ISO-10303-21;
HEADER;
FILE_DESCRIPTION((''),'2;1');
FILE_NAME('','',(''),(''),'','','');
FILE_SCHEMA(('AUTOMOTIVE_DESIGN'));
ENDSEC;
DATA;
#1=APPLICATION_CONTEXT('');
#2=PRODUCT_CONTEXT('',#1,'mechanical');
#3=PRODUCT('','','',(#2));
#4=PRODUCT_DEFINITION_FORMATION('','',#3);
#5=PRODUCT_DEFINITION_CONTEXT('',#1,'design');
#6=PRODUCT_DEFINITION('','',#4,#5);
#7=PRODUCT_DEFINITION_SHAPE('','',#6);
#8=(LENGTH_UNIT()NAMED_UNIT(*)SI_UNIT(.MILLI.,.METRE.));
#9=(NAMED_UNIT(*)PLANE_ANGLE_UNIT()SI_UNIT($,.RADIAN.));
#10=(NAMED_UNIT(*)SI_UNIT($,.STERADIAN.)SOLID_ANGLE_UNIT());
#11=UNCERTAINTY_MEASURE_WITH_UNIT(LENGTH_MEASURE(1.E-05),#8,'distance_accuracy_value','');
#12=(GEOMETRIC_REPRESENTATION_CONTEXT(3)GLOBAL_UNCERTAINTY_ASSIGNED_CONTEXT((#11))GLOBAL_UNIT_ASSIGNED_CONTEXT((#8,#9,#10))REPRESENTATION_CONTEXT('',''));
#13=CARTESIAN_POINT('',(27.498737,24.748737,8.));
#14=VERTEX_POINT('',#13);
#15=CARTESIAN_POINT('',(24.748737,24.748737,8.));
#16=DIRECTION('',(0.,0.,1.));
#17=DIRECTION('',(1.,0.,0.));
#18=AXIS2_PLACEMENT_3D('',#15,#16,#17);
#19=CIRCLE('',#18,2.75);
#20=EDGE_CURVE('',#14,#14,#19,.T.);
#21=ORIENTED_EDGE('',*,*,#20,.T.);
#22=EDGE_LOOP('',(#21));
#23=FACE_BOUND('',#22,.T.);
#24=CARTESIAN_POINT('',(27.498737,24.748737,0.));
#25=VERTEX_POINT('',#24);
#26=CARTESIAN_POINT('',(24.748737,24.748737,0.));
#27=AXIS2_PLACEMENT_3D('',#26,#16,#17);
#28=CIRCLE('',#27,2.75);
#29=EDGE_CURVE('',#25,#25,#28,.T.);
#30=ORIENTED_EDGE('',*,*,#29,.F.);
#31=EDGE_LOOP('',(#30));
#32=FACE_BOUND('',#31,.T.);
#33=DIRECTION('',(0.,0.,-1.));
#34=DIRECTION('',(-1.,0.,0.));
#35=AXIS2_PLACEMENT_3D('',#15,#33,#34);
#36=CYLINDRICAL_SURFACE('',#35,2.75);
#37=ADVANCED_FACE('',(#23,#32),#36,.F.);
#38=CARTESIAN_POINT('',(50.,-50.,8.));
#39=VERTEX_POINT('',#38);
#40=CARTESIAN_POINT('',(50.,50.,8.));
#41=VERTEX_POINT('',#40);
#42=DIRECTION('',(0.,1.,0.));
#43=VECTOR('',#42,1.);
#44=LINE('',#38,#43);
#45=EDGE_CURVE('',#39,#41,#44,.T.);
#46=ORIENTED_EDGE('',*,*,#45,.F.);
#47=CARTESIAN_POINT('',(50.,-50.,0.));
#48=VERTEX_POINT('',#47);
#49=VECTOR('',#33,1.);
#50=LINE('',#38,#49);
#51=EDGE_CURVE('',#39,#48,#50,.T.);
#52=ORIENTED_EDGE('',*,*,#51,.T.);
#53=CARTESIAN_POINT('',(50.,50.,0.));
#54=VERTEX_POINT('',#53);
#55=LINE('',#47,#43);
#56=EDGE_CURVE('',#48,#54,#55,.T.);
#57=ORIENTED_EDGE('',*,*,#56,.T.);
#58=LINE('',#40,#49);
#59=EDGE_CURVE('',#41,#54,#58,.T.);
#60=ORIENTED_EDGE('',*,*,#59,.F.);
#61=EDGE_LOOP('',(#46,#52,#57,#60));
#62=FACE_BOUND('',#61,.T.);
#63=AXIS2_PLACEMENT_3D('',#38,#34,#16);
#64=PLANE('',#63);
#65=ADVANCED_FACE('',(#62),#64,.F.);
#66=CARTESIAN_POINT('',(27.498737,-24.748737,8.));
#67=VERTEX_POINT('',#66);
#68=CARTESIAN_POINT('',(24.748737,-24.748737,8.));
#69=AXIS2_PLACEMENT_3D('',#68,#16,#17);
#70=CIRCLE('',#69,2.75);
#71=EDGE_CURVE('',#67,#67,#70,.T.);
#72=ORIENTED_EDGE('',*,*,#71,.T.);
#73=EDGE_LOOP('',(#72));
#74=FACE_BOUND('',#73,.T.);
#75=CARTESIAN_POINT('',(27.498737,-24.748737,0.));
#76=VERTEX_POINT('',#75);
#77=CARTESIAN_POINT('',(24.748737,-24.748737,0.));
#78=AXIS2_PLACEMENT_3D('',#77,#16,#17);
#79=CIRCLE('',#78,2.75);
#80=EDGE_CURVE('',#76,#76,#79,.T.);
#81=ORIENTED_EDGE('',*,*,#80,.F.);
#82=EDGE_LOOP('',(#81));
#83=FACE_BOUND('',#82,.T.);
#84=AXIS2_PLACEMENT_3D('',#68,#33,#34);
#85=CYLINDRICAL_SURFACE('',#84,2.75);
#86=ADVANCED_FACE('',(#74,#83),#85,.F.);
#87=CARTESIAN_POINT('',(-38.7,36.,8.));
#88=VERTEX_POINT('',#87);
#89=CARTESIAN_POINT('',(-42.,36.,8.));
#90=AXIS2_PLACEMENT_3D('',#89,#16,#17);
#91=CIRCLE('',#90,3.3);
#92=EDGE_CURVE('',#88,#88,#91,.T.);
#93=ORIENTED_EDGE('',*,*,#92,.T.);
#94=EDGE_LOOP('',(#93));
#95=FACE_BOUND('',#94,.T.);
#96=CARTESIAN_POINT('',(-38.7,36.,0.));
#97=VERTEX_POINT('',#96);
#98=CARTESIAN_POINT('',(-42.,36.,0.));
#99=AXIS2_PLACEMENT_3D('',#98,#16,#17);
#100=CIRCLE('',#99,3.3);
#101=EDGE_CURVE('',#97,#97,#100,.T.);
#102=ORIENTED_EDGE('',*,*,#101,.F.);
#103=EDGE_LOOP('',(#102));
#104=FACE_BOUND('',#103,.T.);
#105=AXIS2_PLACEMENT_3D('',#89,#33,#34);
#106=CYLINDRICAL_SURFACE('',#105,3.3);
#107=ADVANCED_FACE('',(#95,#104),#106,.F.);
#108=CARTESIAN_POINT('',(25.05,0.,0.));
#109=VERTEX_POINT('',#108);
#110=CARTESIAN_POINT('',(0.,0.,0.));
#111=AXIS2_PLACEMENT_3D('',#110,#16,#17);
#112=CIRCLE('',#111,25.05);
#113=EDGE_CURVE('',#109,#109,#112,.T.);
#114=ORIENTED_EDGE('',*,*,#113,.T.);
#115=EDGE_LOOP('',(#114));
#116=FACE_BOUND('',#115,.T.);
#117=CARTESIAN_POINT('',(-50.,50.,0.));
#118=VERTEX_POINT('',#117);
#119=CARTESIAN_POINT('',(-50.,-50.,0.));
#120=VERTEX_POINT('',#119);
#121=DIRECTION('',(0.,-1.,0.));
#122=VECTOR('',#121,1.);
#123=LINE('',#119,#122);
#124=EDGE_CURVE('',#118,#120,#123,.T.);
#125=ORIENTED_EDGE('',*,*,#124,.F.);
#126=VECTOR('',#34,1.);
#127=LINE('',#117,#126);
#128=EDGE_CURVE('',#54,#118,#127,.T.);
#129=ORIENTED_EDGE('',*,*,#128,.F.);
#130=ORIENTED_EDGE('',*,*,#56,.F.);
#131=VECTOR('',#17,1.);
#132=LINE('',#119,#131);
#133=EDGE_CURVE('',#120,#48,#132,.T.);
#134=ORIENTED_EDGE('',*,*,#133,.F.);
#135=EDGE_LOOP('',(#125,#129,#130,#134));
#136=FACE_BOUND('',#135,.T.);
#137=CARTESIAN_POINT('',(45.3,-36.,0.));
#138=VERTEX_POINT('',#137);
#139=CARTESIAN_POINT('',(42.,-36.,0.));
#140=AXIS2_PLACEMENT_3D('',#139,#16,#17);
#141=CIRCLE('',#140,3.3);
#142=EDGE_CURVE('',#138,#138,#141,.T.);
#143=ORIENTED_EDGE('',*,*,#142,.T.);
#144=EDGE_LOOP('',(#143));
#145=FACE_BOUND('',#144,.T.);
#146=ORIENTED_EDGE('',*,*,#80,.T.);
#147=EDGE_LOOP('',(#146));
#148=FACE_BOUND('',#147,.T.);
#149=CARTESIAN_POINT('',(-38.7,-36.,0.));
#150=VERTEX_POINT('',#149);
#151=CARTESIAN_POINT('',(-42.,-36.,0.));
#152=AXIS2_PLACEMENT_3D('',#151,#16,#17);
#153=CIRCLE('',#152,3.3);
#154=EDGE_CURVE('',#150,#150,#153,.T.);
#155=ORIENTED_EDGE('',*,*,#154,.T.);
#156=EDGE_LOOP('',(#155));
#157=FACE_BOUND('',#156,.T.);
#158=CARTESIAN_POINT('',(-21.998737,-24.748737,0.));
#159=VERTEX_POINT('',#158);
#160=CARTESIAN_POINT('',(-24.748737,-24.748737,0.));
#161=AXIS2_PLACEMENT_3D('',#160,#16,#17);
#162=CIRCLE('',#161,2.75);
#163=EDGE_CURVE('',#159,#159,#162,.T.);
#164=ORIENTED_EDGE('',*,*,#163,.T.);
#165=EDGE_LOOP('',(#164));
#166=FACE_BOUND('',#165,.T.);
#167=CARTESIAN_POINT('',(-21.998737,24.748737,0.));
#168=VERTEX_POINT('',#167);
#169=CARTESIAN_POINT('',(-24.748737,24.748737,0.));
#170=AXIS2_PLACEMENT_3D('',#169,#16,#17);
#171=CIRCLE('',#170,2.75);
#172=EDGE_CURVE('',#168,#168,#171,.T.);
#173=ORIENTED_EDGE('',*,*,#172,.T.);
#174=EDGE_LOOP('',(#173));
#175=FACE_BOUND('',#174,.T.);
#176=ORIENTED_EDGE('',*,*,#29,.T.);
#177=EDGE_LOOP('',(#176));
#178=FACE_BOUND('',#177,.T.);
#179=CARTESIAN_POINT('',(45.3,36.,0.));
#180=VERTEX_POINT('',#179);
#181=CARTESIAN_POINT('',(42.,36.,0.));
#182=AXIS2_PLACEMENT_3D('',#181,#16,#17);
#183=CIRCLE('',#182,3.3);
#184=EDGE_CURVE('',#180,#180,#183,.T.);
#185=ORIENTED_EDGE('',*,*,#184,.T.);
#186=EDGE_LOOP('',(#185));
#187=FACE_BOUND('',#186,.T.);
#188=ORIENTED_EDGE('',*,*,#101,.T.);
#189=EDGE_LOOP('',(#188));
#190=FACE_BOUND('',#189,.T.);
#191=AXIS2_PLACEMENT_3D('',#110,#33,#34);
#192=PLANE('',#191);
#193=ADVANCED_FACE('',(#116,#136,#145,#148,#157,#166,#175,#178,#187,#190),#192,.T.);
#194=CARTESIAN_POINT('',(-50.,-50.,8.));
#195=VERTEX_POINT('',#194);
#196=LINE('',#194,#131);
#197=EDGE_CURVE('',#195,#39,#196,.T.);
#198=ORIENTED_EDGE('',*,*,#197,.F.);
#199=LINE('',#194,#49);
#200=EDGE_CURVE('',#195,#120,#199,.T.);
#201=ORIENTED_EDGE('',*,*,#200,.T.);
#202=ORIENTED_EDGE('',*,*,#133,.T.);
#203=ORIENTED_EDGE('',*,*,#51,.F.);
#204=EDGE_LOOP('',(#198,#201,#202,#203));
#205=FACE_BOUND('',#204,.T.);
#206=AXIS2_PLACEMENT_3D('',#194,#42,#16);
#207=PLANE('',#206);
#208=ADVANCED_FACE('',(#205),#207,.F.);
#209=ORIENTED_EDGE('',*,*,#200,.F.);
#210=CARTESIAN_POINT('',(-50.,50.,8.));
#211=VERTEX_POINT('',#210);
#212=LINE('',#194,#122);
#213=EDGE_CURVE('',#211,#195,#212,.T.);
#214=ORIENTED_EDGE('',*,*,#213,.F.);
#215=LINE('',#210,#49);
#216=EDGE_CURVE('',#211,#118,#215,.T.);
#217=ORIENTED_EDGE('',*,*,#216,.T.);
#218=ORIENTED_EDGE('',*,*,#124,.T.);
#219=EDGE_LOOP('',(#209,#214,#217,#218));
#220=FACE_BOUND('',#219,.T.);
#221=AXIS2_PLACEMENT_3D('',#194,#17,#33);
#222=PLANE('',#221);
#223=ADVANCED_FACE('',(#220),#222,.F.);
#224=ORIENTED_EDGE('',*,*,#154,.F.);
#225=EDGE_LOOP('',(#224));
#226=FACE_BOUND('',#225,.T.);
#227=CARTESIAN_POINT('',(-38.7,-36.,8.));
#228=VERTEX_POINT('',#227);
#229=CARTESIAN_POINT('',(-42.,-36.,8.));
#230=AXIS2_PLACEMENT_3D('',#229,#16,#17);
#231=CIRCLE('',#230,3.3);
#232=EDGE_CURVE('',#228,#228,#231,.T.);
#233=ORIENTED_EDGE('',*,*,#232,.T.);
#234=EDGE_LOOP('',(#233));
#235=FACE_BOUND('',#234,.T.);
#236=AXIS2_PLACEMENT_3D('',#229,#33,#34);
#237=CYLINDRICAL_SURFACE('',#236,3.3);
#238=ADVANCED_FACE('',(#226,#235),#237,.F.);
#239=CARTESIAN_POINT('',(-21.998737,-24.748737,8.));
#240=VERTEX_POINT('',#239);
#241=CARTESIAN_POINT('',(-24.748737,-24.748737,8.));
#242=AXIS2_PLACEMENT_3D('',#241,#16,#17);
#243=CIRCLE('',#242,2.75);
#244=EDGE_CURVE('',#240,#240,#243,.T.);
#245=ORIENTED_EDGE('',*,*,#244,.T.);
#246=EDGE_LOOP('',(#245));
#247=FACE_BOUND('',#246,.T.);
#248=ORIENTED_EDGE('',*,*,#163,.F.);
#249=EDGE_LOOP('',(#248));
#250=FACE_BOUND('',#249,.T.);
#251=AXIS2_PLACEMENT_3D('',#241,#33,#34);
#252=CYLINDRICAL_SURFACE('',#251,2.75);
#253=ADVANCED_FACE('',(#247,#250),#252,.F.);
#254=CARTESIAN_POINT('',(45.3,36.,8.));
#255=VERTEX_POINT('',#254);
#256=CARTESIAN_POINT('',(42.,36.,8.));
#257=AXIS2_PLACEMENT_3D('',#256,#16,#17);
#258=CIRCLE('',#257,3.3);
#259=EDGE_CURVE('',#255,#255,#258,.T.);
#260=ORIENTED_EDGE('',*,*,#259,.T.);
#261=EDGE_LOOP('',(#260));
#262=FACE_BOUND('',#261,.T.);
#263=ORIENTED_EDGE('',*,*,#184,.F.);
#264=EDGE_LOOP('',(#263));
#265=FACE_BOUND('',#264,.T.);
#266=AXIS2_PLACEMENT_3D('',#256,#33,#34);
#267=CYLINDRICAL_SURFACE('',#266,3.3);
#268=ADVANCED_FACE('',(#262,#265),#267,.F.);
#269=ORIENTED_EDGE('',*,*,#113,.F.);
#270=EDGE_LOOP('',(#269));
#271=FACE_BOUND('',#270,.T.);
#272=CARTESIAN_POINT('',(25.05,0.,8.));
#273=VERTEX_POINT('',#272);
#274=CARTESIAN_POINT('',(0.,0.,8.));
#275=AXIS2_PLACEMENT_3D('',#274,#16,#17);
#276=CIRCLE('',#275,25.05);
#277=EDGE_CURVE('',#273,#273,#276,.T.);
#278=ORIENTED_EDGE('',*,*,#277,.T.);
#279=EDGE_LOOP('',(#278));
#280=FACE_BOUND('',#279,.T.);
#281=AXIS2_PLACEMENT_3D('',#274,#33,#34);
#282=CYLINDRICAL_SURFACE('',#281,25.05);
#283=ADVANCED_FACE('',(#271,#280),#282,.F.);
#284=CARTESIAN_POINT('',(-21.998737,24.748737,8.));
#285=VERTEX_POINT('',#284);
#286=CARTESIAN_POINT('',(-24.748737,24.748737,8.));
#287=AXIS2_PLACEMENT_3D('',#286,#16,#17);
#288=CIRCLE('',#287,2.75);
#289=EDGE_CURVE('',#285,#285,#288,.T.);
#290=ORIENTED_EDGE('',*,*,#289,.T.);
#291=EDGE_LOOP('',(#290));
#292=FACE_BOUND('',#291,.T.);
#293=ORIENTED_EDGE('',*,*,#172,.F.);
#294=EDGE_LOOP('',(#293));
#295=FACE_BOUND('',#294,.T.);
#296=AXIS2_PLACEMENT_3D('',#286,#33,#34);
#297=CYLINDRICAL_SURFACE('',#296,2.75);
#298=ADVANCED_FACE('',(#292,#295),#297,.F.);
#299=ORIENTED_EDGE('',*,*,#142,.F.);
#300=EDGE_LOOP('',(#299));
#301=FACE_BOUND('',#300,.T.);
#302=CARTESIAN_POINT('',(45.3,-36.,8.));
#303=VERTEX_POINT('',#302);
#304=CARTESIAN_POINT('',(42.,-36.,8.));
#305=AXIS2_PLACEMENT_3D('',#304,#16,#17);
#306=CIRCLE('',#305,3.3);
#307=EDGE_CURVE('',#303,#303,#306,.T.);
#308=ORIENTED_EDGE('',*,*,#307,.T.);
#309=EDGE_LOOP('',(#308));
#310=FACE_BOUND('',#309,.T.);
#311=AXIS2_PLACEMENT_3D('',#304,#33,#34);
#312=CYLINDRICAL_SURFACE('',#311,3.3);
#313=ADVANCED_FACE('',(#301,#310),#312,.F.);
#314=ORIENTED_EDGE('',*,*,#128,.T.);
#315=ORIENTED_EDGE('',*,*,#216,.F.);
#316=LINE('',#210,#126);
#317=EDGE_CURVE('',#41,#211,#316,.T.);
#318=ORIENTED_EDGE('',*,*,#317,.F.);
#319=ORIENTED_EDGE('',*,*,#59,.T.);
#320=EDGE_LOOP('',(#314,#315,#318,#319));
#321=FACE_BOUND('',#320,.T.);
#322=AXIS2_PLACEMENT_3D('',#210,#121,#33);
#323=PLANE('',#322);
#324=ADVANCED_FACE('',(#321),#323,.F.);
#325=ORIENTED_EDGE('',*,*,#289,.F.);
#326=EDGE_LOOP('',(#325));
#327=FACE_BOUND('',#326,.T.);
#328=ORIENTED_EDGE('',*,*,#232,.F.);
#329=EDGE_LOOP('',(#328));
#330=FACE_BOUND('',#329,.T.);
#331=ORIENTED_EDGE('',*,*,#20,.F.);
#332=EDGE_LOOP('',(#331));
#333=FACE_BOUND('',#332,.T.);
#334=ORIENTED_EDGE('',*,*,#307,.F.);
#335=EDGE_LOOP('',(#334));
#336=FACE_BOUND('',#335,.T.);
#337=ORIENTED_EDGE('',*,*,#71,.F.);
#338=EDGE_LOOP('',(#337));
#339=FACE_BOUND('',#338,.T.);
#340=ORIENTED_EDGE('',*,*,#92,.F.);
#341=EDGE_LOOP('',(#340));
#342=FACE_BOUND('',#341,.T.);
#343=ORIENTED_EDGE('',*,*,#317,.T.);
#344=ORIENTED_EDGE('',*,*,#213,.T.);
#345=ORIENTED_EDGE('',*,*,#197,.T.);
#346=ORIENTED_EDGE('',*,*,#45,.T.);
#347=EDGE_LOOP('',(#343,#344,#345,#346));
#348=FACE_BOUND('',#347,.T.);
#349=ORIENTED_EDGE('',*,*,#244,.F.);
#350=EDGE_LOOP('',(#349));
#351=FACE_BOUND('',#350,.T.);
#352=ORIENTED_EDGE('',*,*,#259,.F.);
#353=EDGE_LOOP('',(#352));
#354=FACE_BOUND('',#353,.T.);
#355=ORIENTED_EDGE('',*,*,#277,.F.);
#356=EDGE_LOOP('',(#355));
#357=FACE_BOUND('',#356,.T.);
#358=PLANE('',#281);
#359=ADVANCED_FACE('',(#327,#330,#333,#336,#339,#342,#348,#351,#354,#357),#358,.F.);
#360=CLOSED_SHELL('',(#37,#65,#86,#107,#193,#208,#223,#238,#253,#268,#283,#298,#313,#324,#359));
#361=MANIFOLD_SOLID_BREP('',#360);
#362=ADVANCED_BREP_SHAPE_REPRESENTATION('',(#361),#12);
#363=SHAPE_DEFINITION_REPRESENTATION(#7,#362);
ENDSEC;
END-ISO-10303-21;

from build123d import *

# Parameters (mm, degrees)
SKETCH1_W                 = 100
SKETCH1_H                 = 100
SKETCH1_R                 = 25.05
SKETCH1_R_2               = 3.3
SKETCH1_R_3               = 2.75
MOTOR_ADAPTER_PLATE_DEPTH = 8


with BuildPart() as part:
    # Sketch1 → Motor_Adapter_Plate (new body)
    with BuildSketch(Plane.XY):
        Rectangle(SKETCH1_W, SKETCH1_H)
        Circle(SKETCH1_R, mode=Mode.SUBTRACT)
        with Locations((-42, -36)):
            Circle(SKETCH1_R_2, mode=Mode.SUBTRACT)
        with Locations((-42, 36)):
            Circle(SKETCH1_R_2, mode=Mode.SUBTRACT)
        with Locations((42, -36)):
            Circle(SKETCH1_R_2, mode=Mode.SUBTRACT)
        with Locations((42, 36)):
            Circle(SKETCH1_R_2, mode=Mode.SUBTRACT)
        with Locations((-24.748737342, -24.748737342)):
            Circle(SKETCH1_R_3, mode=Mode.SUBTRACT)
        with Locations((-24.748737342, 24.748737342)):
            Circle(SKETCH1_R_3, mode=Mode.SUBTRACT)
        with Locations((24.748737342, -24.748737342)):
            Circle(SKETCH1_R_3, mode=Mode.SUBTRACT)
        with Locations((24.748737342, 24.748737342)):
            Circle(SKETCH1_R_3, mode=Mode.SUBTRACT)
    extrude(amount=MOTOR_ADAPTER_PLATE_DEPTH)


solid = part.part
